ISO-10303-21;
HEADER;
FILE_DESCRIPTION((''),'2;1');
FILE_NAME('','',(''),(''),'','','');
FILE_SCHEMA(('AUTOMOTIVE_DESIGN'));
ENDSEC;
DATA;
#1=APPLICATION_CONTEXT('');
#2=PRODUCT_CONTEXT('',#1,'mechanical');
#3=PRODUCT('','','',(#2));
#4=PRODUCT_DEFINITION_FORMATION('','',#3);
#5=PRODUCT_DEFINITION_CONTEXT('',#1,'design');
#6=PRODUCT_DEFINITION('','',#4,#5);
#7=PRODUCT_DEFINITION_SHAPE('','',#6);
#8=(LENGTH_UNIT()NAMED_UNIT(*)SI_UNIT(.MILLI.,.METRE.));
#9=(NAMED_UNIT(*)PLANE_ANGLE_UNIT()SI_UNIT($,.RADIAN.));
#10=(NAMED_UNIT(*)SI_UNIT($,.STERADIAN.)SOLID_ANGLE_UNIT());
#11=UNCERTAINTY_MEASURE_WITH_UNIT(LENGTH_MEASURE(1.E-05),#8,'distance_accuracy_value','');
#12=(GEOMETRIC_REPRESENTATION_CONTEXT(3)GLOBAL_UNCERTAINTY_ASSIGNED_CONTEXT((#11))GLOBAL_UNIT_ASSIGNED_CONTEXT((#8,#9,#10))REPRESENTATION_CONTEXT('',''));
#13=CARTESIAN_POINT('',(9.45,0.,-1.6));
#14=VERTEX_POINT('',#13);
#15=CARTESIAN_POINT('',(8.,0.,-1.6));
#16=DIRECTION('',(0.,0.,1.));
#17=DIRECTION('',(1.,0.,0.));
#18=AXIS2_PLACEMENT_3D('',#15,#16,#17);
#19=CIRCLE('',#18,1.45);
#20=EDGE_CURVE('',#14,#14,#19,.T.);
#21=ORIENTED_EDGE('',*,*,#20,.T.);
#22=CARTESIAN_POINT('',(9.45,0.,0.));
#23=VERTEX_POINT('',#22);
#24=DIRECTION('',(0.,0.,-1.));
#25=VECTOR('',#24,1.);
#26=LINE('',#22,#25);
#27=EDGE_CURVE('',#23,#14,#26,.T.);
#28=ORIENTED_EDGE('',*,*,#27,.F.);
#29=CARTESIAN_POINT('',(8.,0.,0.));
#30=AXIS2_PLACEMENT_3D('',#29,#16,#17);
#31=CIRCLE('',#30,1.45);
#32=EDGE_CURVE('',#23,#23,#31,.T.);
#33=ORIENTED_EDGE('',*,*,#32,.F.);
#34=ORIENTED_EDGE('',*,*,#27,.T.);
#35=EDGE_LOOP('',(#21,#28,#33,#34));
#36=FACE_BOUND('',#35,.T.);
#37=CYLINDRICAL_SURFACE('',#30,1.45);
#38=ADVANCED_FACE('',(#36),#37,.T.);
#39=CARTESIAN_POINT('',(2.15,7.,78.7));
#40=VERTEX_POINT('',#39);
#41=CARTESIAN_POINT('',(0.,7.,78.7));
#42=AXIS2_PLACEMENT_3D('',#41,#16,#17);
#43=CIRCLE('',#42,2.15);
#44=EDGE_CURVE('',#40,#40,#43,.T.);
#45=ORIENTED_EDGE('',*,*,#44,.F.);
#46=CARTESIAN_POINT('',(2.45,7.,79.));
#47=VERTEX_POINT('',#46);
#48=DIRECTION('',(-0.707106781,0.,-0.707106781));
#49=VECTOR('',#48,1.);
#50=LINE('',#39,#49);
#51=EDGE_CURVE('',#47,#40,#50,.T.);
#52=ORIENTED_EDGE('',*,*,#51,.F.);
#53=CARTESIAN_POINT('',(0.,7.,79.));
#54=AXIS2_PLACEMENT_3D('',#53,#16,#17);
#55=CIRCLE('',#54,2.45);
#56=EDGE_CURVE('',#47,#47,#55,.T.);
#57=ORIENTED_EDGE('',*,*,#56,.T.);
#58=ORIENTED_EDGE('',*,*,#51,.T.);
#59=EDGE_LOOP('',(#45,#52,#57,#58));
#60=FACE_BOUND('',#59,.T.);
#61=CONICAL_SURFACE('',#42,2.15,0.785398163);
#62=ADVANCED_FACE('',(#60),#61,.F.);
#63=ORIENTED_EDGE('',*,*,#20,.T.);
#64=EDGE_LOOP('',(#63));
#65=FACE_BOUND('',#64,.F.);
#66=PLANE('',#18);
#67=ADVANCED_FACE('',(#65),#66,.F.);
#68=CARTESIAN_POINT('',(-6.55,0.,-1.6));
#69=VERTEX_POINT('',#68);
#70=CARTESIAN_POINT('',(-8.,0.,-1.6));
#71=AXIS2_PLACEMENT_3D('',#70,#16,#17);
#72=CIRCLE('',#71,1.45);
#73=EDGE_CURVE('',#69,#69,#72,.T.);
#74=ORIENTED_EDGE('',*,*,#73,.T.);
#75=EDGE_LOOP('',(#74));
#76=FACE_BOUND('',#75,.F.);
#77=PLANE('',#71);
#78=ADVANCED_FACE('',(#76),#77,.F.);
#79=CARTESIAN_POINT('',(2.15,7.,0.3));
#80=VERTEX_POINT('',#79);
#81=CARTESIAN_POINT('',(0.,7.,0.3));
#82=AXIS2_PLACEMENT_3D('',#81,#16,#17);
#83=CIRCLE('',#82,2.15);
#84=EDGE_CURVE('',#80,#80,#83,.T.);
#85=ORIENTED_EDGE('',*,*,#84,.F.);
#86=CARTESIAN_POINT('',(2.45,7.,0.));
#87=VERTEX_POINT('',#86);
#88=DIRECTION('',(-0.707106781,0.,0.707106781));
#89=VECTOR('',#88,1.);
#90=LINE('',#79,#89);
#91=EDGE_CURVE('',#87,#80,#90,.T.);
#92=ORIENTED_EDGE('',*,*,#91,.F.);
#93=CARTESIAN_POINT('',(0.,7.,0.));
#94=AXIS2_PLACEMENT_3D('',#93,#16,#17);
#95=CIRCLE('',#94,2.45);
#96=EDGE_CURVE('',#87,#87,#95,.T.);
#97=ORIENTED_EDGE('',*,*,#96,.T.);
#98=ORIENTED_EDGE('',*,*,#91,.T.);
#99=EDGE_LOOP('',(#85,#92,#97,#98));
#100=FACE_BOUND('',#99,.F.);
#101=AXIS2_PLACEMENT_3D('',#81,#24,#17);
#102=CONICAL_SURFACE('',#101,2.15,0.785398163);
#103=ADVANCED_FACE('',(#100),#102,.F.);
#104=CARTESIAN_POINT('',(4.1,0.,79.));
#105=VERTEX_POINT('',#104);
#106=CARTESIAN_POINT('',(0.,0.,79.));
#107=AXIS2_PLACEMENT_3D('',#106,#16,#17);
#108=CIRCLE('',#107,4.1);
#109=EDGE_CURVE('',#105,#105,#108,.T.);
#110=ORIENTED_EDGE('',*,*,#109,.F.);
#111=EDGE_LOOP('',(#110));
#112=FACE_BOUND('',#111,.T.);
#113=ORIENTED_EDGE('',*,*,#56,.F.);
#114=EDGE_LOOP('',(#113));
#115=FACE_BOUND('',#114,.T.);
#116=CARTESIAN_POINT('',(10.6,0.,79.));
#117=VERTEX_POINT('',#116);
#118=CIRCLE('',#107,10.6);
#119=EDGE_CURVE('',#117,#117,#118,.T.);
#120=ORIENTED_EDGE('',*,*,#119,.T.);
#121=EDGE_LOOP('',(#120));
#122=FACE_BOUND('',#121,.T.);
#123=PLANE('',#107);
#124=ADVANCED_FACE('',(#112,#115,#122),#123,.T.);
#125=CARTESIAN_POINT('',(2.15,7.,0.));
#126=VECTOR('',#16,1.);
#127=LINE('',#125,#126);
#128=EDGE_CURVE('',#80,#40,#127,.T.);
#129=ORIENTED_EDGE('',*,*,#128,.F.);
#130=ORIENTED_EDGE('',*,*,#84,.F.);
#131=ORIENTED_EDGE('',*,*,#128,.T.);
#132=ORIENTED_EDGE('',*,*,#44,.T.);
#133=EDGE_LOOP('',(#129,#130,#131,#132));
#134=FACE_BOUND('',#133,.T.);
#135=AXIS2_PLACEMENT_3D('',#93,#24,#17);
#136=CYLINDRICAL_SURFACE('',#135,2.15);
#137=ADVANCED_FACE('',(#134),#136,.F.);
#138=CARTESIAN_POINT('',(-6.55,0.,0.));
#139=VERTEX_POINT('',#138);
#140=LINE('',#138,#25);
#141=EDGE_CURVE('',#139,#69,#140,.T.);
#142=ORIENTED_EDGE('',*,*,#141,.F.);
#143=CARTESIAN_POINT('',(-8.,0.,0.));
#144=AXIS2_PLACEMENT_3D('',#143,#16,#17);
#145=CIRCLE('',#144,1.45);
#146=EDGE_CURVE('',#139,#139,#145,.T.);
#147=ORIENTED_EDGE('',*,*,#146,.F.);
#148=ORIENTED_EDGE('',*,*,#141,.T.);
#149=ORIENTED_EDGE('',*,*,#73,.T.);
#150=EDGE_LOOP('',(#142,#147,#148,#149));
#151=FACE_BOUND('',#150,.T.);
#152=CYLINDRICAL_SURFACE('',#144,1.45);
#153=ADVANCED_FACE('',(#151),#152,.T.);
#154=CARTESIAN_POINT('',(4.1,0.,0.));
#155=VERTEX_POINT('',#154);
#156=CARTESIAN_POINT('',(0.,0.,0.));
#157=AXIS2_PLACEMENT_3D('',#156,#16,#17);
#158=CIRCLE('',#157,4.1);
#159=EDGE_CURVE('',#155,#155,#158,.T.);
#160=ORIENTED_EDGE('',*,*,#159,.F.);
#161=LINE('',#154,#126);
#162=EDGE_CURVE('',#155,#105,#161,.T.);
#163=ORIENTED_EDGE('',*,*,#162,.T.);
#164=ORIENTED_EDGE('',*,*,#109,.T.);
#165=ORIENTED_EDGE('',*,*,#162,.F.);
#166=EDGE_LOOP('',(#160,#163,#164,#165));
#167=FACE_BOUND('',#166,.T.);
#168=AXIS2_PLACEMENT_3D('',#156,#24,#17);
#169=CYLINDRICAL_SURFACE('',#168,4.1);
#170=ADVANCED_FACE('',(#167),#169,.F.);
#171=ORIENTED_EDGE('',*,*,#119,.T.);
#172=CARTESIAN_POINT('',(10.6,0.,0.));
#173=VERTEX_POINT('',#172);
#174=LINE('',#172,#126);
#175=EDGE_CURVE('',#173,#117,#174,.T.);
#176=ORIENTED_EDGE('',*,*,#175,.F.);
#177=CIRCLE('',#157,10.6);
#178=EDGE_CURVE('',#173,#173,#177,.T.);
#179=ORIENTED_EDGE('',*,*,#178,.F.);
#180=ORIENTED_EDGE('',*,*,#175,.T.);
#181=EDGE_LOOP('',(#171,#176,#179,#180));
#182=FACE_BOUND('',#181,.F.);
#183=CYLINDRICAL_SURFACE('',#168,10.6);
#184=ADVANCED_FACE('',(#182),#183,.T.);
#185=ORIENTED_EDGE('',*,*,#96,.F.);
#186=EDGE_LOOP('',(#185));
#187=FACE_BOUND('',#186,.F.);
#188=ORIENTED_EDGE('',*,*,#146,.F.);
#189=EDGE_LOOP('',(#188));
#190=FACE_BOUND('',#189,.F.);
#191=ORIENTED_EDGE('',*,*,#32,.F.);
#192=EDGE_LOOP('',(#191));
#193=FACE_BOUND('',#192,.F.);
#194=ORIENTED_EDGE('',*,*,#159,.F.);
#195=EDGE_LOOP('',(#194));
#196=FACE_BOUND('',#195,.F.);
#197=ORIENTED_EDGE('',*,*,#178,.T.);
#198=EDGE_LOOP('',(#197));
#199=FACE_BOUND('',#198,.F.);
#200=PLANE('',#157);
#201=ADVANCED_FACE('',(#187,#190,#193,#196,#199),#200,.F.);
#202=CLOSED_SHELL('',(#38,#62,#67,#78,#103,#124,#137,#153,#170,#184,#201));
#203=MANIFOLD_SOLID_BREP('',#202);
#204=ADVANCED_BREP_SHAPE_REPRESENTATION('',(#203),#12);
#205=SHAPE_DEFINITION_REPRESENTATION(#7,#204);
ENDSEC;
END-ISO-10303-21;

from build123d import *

# Parameters (mm, degrees)
SKETCH_1_R      = 10.6
SKETCH_1_R_2    = 2.15
SKETCH_1_R_3    = 4.1
EXTRUDE_1_DEPTH = 79
SKETCH_2_R      = 1.45
EXTRUDE_2_DEPTH = 1.6
CHAMFER_1_SIZE  = 0.3


with BuildPart() as part:
    # 草图1 → 凸台-拉伸1 (new body)
    with BuildSketch(Plane.XY):
        Circle(SKETCH_1_R)
        with Locations((0, 7)):
            Circle(SKETCH_1_R_2, mode=Mode.SUBTRACT)
        Circle(SKETCH_1_R_3, mode=Mode.SUBTRACT)
    extrude(amount=EXTRUDE_1_DEPTH)

    # 草图2 → 凸台-拉伸2 (add)
    with BuildSketch(Plane.XY):
        with Locations((-8, 0)):
            Circle(SKETCH_2_R)
        with Locations((8, 0)):
            Circle(SKETCH_2_R)
    extrude(amount=-EXTRUDE_2_DEPTH)

    # 倒角1
    chamfer_1_edges = [part.edges().sort_by_distance(p)[0] for p in [
        (-2.15, 7, 0),
        (-2.15, 7, 79),
    ]]
    chamfer(chamfer_1_edges, length=CHAMFER_1_SIZE)


solid = part.part
